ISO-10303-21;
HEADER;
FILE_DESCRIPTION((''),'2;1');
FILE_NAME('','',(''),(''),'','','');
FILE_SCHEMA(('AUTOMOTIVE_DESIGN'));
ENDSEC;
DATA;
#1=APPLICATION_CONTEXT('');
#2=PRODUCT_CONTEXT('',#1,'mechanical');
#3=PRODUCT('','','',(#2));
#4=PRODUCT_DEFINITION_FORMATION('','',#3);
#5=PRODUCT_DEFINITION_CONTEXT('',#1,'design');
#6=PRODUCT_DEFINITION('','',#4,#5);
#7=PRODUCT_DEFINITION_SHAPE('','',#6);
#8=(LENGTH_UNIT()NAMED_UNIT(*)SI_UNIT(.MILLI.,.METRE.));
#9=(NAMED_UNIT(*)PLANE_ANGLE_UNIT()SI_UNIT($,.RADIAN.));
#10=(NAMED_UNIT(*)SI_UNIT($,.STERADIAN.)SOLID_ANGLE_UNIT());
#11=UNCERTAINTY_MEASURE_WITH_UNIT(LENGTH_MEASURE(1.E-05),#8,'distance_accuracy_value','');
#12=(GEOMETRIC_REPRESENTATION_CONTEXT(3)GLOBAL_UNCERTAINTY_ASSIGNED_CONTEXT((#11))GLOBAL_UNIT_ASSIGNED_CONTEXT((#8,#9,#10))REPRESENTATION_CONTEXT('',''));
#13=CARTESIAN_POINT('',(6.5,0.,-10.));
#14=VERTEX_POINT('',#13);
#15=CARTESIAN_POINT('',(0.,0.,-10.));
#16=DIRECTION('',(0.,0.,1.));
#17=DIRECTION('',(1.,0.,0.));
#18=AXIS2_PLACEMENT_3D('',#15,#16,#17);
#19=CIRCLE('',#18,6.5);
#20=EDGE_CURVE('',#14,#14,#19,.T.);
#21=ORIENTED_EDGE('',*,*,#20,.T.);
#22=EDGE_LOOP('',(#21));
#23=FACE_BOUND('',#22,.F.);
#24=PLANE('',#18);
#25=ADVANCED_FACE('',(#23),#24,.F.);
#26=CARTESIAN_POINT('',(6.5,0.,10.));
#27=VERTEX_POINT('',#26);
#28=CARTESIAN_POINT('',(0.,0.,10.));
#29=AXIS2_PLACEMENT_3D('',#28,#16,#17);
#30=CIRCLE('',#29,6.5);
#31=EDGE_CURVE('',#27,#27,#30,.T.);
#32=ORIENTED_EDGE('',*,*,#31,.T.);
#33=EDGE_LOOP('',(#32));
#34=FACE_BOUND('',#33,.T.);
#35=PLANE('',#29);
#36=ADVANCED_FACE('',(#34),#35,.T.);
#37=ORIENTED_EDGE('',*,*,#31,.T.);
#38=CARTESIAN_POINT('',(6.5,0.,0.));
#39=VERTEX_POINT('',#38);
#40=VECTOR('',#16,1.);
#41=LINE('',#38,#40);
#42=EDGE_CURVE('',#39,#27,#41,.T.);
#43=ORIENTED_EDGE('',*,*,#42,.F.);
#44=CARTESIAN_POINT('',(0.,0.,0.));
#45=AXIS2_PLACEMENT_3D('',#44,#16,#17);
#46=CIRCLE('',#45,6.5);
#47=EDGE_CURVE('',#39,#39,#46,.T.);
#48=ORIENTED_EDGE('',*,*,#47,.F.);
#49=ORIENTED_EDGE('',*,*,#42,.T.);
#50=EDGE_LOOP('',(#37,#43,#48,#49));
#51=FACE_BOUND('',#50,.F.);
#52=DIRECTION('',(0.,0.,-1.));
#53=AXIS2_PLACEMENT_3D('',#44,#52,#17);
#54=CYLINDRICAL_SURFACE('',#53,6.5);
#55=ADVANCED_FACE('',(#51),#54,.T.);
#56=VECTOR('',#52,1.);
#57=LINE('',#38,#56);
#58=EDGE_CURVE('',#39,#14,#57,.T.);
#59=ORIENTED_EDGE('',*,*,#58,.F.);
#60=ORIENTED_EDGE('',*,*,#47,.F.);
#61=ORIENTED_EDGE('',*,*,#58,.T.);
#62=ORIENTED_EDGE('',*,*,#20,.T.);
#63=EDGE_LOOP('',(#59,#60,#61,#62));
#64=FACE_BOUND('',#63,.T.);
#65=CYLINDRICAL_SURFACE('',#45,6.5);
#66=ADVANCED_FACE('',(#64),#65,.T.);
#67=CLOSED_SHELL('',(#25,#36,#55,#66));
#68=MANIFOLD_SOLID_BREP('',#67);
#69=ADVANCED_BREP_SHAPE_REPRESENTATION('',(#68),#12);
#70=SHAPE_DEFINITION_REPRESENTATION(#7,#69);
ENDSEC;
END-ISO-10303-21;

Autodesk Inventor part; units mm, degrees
ref_plane "YZ Plane" through (0, 0, 0) normal (1, 0, 0) x (0, 1, 0)
ref_plane "XZ Plane" through (0, 0, 0) normal (0, 1, 0) x (-1, 0, 0)
ref_plane "XY Plane" through (0, 0, 0) normal (0, 0, 1) x (1, 0, 0)
sketch "Hauptskizze" plane through (0, 0, 0) normal (0, 0, 1) x (1, 0, 0)
  circle A0 centre (0, 0) radius 6.5
  dimension "d0" = 13
extrude "Riemenscheibe" add sketch "Hauptskizze" along normal mid plane 20
equation "\"d0\" = da_D"
equation "\"d1\" = da_B"
equation "\"da_D\" = 13"
equation "\"da_B\" = 20"
properties part number "Flache Riemenscheibe2" material "Steel"
